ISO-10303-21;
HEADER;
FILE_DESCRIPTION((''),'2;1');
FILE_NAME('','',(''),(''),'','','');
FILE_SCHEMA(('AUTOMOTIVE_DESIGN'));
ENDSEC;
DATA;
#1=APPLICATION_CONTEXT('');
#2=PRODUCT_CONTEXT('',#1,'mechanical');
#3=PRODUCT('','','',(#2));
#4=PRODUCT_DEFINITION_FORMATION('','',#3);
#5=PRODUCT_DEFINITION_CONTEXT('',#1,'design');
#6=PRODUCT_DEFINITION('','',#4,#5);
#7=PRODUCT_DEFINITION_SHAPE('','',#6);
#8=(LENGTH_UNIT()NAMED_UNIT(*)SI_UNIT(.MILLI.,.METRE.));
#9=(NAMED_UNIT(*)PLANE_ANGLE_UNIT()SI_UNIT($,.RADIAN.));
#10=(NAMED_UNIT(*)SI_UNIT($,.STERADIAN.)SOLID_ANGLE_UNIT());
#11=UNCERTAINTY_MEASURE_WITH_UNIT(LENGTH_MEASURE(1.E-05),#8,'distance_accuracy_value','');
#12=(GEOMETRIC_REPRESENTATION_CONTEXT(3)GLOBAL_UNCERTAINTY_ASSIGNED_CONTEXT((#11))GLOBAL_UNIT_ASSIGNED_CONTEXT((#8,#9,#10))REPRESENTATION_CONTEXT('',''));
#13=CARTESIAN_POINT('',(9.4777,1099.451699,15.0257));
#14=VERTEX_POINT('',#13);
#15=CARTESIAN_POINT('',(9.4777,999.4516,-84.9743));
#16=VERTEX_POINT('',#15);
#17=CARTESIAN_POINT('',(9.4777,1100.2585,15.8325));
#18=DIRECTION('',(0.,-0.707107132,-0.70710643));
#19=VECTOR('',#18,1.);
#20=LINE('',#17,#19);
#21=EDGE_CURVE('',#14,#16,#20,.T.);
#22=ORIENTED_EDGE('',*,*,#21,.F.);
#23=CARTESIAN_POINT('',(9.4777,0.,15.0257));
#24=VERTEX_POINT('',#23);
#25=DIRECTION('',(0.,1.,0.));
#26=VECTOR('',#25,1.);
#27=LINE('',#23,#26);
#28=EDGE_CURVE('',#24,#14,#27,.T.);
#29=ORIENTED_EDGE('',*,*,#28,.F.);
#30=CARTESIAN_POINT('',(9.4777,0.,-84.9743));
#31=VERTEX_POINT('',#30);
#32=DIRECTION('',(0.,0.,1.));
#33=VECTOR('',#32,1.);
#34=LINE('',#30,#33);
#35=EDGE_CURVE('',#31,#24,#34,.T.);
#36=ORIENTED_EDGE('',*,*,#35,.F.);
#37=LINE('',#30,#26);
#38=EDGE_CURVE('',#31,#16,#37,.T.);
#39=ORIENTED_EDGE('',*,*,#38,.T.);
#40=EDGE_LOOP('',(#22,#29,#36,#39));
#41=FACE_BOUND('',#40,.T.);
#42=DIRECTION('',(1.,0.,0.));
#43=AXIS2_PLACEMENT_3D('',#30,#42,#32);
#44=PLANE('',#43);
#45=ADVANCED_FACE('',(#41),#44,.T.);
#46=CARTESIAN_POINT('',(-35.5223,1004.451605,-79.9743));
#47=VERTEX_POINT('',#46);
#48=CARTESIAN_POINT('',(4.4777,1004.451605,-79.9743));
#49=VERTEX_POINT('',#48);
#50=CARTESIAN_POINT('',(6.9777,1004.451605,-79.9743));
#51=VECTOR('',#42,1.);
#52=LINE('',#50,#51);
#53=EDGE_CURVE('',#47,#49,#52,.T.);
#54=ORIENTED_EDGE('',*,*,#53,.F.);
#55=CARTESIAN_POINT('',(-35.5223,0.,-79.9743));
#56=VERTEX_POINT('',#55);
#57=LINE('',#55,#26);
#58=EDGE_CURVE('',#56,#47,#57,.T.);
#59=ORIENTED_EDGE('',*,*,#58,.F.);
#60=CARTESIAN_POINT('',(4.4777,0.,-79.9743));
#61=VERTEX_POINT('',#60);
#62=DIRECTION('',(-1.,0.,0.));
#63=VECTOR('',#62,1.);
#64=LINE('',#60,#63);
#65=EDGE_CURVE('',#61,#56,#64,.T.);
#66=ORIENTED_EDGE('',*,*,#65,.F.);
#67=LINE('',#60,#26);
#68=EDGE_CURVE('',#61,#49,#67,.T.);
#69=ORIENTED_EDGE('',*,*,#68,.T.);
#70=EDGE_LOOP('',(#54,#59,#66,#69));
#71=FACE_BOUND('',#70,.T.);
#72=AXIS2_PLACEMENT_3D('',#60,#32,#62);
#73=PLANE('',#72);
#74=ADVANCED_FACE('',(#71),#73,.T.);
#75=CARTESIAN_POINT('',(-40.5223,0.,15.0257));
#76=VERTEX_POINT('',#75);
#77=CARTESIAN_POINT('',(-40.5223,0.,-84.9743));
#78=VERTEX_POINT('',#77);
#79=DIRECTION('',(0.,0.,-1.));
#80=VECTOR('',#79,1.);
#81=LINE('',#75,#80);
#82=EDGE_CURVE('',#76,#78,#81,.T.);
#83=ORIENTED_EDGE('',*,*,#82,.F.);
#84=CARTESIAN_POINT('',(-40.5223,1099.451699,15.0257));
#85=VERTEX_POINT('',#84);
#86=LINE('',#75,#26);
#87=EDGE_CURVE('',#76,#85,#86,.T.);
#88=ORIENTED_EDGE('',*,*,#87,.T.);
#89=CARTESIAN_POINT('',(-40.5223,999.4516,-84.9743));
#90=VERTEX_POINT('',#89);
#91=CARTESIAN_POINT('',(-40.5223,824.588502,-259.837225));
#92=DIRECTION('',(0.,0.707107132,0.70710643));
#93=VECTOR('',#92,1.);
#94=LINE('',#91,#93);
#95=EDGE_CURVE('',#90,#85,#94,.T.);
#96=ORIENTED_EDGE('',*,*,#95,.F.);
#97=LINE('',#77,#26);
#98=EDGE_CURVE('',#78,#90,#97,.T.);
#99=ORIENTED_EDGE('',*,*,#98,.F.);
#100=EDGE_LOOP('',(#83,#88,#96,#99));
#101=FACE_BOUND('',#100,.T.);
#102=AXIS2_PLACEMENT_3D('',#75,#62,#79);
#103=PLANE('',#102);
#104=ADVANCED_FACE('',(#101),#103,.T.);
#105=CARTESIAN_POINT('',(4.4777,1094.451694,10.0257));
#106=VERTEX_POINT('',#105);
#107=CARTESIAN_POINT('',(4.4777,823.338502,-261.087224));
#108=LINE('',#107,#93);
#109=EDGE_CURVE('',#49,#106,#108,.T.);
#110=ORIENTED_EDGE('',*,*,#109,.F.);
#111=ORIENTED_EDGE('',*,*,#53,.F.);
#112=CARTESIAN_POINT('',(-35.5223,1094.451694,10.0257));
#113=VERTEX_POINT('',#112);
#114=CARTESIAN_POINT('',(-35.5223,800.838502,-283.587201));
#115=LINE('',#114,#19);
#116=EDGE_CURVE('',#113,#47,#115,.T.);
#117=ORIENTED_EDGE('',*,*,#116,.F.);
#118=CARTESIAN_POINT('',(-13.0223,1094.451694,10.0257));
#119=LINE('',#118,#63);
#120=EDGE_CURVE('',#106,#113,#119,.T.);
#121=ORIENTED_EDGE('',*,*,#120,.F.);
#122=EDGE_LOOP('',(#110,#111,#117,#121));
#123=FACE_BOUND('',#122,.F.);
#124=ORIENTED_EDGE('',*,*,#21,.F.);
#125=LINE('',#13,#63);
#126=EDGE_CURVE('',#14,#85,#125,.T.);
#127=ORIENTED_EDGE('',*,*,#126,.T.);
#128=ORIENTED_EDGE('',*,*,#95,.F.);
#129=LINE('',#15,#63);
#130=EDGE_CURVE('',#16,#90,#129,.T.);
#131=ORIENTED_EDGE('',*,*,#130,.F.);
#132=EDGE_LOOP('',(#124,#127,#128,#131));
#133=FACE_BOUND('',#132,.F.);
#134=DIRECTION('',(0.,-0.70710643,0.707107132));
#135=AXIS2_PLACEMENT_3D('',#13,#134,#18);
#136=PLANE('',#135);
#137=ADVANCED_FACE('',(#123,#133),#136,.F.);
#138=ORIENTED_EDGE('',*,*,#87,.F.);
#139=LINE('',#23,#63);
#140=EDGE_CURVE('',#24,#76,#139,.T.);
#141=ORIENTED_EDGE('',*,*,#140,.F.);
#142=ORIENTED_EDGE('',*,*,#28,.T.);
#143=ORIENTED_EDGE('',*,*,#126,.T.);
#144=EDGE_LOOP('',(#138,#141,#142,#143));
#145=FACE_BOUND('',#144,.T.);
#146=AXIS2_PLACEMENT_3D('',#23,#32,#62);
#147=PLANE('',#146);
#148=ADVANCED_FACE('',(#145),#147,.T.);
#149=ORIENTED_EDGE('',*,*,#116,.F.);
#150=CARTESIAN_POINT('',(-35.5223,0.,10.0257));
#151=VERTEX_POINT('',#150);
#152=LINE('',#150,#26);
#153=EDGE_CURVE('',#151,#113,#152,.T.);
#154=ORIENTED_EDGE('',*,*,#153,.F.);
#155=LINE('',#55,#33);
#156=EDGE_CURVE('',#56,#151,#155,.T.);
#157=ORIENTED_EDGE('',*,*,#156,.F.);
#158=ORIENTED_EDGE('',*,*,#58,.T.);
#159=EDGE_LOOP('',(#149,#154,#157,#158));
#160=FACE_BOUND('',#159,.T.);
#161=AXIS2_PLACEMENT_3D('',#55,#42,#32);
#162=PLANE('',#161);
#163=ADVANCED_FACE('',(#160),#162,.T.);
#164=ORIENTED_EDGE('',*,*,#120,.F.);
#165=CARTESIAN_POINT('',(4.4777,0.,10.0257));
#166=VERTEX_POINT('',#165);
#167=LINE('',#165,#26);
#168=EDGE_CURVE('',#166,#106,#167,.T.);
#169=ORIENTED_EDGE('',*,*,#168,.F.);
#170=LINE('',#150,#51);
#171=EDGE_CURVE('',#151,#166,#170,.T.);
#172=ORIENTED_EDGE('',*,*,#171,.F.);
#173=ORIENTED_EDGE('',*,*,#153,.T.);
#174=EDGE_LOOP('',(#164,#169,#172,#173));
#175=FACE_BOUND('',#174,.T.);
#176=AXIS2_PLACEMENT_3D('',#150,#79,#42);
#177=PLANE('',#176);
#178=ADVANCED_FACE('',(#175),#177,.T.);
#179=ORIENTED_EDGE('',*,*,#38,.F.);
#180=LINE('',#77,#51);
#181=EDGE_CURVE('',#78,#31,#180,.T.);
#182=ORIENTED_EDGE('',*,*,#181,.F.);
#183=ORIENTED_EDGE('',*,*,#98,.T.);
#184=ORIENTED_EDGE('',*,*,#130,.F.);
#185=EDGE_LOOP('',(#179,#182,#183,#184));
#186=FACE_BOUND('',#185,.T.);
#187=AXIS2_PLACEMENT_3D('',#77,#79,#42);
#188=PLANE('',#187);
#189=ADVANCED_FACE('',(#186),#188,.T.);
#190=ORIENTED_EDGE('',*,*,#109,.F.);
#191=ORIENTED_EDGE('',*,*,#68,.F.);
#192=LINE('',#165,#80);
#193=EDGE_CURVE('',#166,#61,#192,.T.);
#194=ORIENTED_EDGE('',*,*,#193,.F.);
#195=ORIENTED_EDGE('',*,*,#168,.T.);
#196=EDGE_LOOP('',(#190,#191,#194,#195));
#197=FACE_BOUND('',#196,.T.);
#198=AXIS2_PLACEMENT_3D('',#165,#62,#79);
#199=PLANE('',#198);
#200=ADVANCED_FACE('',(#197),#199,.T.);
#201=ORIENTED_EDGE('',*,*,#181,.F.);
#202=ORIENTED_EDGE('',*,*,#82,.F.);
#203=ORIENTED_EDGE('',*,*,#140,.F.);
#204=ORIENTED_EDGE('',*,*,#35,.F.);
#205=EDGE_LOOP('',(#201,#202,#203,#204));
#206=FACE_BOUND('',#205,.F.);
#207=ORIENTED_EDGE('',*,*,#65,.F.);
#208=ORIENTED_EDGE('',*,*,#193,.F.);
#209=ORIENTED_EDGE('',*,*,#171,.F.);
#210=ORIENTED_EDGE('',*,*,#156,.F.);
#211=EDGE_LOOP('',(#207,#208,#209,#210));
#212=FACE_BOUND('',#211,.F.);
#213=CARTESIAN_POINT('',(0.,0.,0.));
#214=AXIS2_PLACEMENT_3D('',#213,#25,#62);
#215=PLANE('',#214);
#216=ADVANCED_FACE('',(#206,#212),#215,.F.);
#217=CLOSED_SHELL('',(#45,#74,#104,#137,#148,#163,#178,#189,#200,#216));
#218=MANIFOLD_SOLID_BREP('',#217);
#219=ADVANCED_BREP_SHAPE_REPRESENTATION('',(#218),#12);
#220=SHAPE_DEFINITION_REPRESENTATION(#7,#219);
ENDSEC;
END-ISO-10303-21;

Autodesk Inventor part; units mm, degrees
ref_plane "YZ Plane" through (0, 0, 0) normal (1, 0, 0) x (0, 1, 0)
ref_plane "XZ Plane" through (0, 0, 0) normal (0, 1, 0) x (-1, 0, 0)
ref_plane "XY Plane" through (0, 0, 0) normal (0, 0, 1) x (1, 0, 0)
sketch "Sketch1" plane through (0, 0, 0) normal (0, 1, 0) x (-1, 0, 0)
  line L0 (-9.4777, 15.0257) -> (40.5223, 15.0257)
  line L1 (40.5223, 15.0257) -> (40.5223, -84.9743)
  line L2 (40.5223, -84.9743) -> (-9.4777, -84.9743)
  line L3 (-9.4777, -84.9743) -> (-9.4777, 15.0257)
  line L4 (35.5223, 10.0257) -> (-4.4777, 10.0257)
  line L5 (-4.4777, 10.0257) -> (-4.4777, -79.9743)
  line L6 (-4.4777, -79.9743) -> (35.5223, -79.9743)
  line L7 (35.5223, -79.9743) -> (35.5223, 10.0257)
  point P0 (0, 0)
  point P1 (0, 0)
  dimension "d0" = 50
  dimension "d1" = 100
  dimension "d2" = 5
  dimension "d3" = 90
  dimension "d4" = 5
  dimension "d5" = 40
extrude "Extrusion1" add sketch "Sketch1" along normal blind 1100
sketch "Sketch2" plane through (9.4777, 0, 15.0257) normal (1, 0, 0) x (0, 0, -1)
  line L0 (-0.8068, 1100.2585) -> (100, 999.4516)
  line L1 (100, 0) -> (100, 1100) projected
  line L2 (-0.8068, 1100.2585) -> (141.7556, 1100.2585) construction
  line L3 (100, 999.4516) -> (100, 1100)
  line L4 (0, 0) -> (0, 1100) projected
  line L5 (100, 1100) -> (0, 1100)
  point P0 (15.0257, 0)
  point P1 (0, 1099.4516)
  dimension "d8" = 45
extrude "Extrusion2" cut sketch "Sketch2" against normal blind 1100
properties part number "PerfilV2"
